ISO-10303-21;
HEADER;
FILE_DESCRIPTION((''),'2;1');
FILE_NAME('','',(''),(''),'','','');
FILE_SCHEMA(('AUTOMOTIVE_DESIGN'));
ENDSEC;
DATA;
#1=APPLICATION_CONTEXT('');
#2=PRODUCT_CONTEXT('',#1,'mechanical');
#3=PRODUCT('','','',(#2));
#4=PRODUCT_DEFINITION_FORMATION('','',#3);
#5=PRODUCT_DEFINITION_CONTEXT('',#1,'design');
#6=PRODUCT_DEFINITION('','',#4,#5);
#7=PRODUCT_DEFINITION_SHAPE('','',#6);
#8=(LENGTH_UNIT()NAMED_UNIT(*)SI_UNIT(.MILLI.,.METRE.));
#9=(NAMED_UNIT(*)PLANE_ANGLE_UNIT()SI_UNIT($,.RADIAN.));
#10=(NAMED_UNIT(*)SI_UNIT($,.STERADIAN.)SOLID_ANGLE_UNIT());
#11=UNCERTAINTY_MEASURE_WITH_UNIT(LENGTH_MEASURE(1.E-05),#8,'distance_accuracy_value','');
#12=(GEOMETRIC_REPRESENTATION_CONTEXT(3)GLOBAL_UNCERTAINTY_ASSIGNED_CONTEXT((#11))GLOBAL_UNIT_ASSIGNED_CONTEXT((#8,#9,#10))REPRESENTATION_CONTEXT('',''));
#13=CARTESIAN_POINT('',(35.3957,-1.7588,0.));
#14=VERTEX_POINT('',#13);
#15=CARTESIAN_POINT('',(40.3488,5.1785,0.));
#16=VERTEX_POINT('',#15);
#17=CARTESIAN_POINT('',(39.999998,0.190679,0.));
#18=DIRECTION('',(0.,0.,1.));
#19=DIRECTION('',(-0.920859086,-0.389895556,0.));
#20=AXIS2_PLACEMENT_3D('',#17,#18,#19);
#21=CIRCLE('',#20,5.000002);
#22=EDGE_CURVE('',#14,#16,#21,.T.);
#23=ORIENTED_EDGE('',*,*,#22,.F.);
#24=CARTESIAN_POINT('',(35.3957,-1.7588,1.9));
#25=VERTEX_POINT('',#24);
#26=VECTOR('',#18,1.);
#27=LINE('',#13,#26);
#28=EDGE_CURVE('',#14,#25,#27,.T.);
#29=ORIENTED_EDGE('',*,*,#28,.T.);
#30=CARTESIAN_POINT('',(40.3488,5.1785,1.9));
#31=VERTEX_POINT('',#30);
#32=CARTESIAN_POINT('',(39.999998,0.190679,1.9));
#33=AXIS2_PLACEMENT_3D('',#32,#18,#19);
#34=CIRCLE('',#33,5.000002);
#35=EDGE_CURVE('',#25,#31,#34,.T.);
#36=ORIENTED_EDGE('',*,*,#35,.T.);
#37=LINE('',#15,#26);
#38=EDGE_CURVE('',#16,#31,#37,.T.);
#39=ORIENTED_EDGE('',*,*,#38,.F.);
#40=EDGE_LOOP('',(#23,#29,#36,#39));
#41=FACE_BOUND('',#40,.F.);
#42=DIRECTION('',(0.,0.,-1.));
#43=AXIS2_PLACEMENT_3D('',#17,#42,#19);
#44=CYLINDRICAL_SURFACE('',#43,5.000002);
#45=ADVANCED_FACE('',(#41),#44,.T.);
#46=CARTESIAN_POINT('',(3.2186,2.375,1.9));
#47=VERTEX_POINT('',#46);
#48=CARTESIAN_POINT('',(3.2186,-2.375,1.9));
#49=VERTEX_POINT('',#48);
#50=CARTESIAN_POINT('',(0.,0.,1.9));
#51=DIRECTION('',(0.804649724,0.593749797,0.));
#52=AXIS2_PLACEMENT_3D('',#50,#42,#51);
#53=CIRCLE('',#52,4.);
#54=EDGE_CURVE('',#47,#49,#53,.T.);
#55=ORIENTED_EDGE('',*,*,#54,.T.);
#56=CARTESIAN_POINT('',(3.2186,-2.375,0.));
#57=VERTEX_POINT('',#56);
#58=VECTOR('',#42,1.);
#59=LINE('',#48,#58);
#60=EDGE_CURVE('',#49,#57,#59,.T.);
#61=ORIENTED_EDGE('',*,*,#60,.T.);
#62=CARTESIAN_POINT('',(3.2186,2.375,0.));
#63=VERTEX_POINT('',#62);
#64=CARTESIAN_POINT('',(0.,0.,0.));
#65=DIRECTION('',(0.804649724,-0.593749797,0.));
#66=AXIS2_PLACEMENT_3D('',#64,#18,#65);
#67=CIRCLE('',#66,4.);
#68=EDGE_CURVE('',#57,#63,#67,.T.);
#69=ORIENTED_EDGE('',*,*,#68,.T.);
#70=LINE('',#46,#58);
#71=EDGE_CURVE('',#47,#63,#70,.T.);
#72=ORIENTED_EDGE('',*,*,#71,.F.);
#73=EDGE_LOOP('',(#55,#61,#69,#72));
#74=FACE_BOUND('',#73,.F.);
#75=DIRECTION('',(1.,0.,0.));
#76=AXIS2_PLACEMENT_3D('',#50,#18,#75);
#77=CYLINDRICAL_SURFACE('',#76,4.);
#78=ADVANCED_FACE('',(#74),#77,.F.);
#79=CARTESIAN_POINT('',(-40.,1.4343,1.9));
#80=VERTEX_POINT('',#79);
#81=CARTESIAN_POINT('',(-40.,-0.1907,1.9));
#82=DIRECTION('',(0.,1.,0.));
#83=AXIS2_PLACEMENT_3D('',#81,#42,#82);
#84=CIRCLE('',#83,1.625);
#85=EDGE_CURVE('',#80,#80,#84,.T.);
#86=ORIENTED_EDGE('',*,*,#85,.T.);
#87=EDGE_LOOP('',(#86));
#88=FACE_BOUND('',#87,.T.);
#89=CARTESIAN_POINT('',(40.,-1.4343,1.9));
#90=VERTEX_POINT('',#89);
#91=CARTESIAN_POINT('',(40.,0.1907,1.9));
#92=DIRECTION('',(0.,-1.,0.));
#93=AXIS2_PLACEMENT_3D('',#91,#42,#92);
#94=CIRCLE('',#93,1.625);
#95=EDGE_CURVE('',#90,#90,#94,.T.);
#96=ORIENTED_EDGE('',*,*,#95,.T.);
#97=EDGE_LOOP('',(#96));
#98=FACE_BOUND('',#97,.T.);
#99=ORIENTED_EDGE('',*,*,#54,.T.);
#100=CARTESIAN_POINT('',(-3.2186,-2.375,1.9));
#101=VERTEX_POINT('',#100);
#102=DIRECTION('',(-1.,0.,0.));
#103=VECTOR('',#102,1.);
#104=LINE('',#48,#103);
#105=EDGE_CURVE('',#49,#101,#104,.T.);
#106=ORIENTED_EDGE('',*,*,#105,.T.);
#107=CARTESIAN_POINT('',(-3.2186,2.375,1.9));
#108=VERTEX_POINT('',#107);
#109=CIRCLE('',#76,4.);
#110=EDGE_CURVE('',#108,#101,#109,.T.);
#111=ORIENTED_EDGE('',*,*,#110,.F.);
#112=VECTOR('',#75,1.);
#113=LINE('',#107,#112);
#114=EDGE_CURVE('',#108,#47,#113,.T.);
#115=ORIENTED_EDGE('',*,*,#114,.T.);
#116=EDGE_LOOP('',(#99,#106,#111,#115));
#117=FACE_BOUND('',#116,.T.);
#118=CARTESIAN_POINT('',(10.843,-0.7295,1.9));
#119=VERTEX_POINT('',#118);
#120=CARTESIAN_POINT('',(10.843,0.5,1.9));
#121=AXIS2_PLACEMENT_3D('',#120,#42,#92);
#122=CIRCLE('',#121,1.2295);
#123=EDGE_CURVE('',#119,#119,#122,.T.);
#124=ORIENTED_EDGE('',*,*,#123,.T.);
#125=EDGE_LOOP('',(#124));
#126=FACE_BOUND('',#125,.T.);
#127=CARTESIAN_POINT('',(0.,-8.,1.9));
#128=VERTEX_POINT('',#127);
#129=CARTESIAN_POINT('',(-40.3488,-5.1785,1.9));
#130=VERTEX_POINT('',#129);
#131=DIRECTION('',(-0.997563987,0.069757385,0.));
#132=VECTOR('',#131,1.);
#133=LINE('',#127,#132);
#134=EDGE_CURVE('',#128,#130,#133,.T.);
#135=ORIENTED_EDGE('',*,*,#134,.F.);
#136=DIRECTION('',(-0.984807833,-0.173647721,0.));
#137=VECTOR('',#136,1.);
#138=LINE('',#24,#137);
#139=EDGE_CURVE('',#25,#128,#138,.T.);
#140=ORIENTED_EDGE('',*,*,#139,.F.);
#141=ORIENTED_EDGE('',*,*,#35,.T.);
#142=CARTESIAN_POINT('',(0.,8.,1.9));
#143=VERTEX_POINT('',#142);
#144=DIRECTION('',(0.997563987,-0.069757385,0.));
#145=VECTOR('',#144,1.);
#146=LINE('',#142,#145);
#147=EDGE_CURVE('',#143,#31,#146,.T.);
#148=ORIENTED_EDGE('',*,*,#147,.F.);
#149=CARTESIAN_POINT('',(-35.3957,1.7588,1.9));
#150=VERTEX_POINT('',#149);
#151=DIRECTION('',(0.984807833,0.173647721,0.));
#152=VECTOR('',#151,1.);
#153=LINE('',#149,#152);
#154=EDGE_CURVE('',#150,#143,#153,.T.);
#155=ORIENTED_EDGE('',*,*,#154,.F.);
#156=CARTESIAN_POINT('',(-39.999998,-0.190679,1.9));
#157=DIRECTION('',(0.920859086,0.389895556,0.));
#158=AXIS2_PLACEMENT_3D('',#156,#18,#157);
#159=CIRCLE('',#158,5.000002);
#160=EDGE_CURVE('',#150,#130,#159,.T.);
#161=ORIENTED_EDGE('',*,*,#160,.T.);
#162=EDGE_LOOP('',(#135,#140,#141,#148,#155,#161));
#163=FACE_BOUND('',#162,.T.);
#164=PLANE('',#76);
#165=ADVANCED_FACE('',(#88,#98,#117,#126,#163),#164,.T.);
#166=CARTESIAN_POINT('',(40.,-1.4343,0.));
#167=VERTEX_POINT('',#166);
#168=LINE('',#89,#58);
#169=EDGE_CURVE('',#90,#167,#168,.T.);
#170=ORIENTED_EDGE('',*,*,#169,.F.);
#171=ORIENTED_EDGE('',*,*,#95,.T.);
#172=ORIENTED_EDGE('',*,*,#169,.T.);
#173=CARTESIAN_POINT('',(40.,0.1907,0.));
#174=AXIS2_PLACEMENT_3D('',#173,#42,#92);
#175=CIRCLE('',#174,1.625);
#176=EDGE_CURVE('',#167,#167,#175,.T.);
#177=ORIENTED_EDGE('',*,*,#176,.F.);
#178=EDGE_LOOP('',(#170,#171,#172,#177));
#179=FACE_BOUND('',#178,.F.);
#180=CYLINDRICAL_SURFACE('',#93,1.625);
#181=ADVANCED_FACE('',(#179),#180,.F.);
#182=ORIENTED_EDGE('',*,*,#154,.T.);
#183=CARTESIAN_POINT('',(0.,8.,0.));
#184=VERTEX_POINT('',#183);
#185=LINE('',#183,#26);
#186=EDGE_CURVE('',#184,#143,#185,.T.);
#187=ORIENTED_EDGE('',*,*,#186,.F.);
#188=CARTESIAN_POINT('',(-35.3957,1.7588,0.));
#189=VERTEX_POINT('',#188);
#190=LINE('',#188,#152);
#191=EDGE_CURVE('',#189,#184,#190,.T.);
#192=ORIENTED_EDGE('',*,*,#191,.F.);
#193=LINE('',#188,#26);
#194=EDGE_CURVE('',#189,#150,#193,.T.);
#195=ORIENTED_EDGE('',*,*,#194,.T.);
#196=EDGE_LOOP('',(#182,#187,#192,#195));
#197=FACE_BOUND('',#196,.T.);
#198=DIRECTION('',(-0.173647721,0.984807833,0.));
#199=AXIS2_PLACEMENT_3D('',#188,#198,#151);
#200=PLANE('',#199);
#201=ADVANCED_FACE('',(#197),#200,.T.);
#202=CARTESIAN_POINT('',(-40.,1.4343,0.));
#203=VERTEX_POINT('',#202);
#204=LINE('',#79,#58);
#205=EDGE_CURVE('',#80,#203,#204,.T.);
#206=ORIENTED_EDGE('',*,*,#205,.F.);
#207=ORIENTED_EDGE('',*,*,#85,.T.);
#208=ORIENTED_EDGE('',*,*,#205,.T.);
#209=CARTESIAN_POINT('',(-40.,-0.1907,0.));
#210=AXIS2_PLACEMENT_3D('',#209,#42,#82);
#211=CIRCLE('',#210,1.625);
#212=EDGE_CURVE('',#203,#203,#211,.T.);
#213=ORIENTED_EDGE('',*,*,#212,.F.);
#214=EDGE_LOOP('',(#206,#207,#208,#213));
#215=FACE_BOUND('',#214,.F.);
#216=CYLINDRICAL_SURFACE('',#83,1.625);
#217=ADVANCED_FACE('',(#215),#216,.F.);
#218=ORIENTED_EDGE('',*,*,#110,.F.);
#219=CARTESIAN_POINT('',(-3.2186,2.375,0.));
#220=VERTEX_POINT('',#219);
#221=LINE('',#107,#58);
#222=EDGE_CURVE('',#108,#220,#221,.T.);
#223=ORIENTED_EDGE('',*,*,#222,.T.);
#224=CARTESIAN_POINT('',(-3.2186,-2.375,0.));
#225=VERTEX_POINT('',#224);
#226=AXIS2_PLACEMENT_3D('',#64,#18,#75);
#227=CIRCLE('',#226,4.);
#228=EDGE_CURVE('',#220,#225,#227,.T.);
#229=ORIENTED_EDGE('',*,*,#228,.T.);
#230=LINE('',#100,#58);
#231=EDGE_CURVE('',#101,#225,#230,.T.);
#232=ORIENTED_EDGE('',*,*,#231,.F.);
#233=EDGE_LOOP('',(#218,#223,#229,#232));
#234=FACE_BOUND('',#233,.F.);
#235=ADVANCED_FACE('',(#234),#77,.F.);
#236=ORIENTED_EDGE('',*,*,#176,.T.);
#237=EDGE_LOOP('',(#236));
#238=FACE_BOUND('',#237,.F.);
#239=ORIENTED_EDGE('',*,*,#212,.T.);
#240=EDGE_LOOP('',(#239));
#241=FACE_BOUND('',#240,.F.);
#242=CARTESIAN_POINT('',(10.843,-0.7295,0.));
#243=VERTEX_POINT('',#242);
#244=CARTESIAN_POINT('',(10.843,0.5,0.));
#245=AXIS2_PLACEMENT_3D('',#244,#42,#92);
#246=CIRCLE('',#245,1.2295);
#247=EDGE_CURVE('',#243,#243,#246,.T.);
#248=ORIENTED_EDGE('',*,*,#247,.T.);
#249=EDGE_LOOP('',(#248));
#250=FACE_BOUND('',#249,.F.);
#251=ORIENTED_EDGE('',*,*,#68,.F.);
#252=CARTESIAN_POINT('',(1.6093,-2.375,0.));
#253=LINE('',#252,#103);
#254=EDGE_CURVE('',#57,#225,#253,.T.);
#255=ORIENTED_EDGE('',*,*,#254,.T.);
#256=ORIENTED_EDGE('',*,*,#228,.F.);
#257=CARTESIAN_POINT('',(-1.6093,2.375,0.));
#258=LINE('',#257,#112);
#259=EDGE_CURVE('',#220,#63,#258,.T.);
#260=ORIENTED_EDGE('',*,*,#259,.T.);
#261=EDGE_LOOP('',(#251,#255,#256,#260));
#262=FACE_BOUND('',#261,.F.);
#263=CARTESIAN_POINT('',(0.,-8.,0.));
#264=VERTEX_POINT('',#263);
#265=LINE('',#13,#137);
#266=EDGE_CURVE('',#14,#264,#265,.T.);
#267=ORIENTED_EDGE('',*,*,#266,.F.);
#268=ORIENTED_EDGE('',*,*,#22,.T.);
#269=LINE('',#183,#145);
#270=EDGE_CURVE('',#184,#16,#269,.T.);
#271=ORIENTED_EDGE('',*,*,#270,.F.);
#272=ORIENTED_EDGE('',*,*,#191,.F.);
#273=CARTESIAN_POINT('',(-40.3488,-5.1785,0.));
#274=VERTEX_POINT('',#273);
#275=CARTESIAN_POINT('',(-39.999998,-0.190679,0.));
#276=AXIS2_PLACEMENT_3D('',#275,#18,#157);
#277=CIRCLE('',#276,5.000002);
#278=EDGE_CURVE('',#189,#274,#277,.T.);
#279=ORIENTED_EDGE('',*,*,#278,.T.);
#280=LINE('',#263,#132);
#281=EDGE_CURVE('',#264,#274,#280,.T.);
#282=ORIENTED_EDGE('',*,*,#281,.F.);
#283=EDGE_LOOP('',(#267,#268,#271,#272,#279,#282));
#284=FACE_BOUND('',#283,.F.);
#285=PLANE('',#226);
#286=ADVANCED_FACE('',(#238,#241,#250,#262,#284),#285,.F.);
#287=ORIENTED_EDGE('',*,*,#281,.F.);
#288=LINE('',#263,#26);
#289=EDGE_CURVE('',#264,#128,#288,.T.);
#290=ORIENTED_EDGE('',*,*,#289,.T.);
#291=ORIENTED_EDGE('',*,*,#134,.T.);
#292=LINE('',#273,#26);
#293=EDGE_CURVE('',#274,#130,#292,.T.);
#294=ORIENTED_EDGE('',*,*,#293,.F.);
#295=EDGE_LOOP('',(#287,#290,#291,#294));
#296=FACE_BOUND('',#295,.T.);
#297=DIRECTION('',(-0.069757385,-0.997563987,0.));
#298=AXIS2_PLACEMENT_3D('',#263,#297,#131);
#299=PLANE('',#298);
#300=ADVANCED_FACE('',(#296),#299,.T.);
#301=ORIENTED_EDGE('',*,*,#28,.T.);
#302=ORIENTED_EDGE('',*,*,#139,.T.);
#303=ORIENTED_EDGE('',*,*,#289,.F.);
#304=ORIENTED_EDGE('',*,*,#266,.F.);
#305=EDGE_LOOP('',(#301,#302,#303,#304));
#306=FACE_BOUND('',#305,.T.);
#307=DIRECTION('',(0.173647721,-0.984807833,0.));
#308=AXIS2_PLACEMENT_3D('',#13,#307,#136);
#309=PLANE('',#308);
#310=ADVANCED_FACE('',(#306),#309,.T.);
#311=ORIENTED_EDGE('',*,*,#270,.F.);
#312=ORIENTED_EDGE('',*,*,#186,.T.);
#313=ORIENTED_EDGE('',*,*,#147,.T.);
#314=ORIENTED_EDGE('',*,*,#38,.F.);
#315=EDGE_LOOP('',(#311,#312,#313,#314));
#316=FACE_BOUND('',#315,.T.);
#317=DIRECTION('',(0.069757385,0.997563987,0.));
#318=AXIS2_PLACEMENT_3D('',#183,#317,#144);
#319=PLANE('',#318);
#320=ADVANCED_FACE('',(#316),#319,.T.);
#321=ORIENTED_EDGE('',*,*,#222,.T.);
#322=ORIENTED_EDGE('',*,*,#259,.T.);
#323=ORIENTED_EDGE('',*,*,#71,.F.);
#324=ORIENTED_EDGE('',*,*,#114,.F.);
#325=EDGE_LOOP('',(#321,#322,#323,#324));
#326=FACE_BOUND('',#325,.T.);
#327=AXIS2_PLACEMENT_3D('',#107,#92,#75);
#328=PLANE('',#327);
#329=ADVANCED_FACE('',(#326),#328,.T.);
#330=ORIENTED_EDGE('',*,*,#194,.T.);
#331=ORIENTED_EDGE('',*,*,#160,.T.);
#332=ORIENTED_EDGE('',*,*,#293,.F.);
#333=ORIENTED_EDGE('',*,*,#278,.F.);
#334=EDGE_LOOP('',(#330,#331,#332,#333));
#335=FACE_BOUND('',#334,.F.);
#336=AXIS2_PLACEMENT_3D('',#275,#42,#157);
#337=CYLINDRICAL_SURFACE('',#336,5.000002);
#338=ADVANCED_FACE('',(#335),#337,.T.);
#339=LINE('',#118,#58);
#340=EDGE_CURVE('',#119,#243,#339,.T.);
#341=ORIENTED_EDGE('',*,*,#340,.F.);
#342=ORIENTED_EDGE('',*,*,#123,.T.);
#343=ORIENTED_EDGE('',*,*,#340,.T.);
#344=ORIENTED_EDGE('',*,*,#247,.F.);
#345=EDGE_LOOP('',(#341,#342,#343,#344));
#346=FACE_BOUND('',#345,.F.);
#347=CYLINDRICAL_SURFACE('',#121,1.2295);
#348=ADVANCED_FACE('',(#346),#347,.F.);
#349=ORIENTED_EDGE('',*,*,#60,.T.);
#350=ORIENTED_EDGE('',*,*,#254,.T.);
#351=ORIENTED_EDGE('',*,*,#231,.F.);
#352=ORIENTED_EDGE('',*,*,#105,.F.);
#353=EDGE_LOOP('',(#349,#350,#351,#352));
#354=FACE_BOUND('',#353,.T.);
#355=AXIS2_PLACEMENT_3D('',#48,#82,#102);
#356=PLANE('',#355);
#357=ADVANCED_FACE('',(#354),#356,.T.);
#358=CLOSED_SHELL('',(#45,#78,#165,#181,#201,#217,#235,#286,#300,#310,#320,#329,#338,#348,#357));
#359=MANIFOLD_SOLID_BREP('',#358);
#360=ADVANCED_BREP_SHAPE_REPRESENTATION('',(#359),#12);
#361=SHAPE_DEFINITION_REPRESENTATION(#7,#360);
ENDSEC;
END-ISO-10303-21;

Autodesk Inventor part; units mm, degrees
ref_plane "YZ Plane" through (0, 0, 0) normal (1, 0, 0) x (0, 1, 0)
ref_plane "XZ Plane" through (0, 0, 0) normal (0, 1, 0) x (-1, 0, 0)
ref_plane "XY Plane" through (0, 0, 0) normal (0, 0, 1) x (1, 0, 0)
sketch "Sketch1" plane through (0, 0, 0) normal (0, 0, 1) x (1, 0, 0)
  line L0 (0, 8) -> (0, -8)
  line L1 (0, 8) -> (40.3488, 5.1785)
  arc A0 (35.3957, -1.7588) -> (40.3488, 5.1785) centre (40, 0.1907) ccw
  line L2 (35.3957, -1.7588) -> (0, -8)
  line L3 (0, 0) -> (-17.0336, 0) construction
  dimension "d0" = 16
  dimension "d1" = 10
  dimension "d2" = 14
  dimension "d3" = 40
  dimension "d4" = 10
  dimension "d5" = 7.8093
extrude "Extrusion1" add sketch "Sketch1" along normal blind 1.9
hole "Hole1" at (40, 0.1907, 1.9) direction (0, 0, -1) diameter 3.25 end through all
thread "Thread1" size "M3.5x0.6" class "6H" standard "ANSI Metric M Profile" full length
pattern_circular "Circular Pattern1" count 2 over 360 about axis through (0, 0, -10) along (0, 0, 1)
sketch "Sketch2" plane through (0, 0, 1.9) normal (0, 0, 1) x (1, 0, 0)
  circle A0 centre (0, 0) radius 4
  line L0 (-3.2186, 2.375) -> (3.2186, 2.375)
  line L1 (3.2186, -2.375) -> (-3.2186, -2.375)
  dimension "d20" = 8
  dimension "d21" = 4.75
extrude "Extrusion2" cut sketch "Sketch2" against normal through all contours A0 L1 L0
sketch "Sketch3" plane through (0, 0, 1.9) normal (0, 0, 1) x (1, 0, 0)
  point P0 (0, 0)
  point P1 (10.843, 0.5)
  dimension "d24" = 10.843
  dimension "d25" = 0.5
hole "Hole2" at (10.843, 0.5, 1.9) direction (0, 0, -1) diameter 2.459 end through all thread size "M3x0.5" class "6H" standard "ANSI Metric M Profile"
properties part number "406-01" material "Aluminum-6061"
